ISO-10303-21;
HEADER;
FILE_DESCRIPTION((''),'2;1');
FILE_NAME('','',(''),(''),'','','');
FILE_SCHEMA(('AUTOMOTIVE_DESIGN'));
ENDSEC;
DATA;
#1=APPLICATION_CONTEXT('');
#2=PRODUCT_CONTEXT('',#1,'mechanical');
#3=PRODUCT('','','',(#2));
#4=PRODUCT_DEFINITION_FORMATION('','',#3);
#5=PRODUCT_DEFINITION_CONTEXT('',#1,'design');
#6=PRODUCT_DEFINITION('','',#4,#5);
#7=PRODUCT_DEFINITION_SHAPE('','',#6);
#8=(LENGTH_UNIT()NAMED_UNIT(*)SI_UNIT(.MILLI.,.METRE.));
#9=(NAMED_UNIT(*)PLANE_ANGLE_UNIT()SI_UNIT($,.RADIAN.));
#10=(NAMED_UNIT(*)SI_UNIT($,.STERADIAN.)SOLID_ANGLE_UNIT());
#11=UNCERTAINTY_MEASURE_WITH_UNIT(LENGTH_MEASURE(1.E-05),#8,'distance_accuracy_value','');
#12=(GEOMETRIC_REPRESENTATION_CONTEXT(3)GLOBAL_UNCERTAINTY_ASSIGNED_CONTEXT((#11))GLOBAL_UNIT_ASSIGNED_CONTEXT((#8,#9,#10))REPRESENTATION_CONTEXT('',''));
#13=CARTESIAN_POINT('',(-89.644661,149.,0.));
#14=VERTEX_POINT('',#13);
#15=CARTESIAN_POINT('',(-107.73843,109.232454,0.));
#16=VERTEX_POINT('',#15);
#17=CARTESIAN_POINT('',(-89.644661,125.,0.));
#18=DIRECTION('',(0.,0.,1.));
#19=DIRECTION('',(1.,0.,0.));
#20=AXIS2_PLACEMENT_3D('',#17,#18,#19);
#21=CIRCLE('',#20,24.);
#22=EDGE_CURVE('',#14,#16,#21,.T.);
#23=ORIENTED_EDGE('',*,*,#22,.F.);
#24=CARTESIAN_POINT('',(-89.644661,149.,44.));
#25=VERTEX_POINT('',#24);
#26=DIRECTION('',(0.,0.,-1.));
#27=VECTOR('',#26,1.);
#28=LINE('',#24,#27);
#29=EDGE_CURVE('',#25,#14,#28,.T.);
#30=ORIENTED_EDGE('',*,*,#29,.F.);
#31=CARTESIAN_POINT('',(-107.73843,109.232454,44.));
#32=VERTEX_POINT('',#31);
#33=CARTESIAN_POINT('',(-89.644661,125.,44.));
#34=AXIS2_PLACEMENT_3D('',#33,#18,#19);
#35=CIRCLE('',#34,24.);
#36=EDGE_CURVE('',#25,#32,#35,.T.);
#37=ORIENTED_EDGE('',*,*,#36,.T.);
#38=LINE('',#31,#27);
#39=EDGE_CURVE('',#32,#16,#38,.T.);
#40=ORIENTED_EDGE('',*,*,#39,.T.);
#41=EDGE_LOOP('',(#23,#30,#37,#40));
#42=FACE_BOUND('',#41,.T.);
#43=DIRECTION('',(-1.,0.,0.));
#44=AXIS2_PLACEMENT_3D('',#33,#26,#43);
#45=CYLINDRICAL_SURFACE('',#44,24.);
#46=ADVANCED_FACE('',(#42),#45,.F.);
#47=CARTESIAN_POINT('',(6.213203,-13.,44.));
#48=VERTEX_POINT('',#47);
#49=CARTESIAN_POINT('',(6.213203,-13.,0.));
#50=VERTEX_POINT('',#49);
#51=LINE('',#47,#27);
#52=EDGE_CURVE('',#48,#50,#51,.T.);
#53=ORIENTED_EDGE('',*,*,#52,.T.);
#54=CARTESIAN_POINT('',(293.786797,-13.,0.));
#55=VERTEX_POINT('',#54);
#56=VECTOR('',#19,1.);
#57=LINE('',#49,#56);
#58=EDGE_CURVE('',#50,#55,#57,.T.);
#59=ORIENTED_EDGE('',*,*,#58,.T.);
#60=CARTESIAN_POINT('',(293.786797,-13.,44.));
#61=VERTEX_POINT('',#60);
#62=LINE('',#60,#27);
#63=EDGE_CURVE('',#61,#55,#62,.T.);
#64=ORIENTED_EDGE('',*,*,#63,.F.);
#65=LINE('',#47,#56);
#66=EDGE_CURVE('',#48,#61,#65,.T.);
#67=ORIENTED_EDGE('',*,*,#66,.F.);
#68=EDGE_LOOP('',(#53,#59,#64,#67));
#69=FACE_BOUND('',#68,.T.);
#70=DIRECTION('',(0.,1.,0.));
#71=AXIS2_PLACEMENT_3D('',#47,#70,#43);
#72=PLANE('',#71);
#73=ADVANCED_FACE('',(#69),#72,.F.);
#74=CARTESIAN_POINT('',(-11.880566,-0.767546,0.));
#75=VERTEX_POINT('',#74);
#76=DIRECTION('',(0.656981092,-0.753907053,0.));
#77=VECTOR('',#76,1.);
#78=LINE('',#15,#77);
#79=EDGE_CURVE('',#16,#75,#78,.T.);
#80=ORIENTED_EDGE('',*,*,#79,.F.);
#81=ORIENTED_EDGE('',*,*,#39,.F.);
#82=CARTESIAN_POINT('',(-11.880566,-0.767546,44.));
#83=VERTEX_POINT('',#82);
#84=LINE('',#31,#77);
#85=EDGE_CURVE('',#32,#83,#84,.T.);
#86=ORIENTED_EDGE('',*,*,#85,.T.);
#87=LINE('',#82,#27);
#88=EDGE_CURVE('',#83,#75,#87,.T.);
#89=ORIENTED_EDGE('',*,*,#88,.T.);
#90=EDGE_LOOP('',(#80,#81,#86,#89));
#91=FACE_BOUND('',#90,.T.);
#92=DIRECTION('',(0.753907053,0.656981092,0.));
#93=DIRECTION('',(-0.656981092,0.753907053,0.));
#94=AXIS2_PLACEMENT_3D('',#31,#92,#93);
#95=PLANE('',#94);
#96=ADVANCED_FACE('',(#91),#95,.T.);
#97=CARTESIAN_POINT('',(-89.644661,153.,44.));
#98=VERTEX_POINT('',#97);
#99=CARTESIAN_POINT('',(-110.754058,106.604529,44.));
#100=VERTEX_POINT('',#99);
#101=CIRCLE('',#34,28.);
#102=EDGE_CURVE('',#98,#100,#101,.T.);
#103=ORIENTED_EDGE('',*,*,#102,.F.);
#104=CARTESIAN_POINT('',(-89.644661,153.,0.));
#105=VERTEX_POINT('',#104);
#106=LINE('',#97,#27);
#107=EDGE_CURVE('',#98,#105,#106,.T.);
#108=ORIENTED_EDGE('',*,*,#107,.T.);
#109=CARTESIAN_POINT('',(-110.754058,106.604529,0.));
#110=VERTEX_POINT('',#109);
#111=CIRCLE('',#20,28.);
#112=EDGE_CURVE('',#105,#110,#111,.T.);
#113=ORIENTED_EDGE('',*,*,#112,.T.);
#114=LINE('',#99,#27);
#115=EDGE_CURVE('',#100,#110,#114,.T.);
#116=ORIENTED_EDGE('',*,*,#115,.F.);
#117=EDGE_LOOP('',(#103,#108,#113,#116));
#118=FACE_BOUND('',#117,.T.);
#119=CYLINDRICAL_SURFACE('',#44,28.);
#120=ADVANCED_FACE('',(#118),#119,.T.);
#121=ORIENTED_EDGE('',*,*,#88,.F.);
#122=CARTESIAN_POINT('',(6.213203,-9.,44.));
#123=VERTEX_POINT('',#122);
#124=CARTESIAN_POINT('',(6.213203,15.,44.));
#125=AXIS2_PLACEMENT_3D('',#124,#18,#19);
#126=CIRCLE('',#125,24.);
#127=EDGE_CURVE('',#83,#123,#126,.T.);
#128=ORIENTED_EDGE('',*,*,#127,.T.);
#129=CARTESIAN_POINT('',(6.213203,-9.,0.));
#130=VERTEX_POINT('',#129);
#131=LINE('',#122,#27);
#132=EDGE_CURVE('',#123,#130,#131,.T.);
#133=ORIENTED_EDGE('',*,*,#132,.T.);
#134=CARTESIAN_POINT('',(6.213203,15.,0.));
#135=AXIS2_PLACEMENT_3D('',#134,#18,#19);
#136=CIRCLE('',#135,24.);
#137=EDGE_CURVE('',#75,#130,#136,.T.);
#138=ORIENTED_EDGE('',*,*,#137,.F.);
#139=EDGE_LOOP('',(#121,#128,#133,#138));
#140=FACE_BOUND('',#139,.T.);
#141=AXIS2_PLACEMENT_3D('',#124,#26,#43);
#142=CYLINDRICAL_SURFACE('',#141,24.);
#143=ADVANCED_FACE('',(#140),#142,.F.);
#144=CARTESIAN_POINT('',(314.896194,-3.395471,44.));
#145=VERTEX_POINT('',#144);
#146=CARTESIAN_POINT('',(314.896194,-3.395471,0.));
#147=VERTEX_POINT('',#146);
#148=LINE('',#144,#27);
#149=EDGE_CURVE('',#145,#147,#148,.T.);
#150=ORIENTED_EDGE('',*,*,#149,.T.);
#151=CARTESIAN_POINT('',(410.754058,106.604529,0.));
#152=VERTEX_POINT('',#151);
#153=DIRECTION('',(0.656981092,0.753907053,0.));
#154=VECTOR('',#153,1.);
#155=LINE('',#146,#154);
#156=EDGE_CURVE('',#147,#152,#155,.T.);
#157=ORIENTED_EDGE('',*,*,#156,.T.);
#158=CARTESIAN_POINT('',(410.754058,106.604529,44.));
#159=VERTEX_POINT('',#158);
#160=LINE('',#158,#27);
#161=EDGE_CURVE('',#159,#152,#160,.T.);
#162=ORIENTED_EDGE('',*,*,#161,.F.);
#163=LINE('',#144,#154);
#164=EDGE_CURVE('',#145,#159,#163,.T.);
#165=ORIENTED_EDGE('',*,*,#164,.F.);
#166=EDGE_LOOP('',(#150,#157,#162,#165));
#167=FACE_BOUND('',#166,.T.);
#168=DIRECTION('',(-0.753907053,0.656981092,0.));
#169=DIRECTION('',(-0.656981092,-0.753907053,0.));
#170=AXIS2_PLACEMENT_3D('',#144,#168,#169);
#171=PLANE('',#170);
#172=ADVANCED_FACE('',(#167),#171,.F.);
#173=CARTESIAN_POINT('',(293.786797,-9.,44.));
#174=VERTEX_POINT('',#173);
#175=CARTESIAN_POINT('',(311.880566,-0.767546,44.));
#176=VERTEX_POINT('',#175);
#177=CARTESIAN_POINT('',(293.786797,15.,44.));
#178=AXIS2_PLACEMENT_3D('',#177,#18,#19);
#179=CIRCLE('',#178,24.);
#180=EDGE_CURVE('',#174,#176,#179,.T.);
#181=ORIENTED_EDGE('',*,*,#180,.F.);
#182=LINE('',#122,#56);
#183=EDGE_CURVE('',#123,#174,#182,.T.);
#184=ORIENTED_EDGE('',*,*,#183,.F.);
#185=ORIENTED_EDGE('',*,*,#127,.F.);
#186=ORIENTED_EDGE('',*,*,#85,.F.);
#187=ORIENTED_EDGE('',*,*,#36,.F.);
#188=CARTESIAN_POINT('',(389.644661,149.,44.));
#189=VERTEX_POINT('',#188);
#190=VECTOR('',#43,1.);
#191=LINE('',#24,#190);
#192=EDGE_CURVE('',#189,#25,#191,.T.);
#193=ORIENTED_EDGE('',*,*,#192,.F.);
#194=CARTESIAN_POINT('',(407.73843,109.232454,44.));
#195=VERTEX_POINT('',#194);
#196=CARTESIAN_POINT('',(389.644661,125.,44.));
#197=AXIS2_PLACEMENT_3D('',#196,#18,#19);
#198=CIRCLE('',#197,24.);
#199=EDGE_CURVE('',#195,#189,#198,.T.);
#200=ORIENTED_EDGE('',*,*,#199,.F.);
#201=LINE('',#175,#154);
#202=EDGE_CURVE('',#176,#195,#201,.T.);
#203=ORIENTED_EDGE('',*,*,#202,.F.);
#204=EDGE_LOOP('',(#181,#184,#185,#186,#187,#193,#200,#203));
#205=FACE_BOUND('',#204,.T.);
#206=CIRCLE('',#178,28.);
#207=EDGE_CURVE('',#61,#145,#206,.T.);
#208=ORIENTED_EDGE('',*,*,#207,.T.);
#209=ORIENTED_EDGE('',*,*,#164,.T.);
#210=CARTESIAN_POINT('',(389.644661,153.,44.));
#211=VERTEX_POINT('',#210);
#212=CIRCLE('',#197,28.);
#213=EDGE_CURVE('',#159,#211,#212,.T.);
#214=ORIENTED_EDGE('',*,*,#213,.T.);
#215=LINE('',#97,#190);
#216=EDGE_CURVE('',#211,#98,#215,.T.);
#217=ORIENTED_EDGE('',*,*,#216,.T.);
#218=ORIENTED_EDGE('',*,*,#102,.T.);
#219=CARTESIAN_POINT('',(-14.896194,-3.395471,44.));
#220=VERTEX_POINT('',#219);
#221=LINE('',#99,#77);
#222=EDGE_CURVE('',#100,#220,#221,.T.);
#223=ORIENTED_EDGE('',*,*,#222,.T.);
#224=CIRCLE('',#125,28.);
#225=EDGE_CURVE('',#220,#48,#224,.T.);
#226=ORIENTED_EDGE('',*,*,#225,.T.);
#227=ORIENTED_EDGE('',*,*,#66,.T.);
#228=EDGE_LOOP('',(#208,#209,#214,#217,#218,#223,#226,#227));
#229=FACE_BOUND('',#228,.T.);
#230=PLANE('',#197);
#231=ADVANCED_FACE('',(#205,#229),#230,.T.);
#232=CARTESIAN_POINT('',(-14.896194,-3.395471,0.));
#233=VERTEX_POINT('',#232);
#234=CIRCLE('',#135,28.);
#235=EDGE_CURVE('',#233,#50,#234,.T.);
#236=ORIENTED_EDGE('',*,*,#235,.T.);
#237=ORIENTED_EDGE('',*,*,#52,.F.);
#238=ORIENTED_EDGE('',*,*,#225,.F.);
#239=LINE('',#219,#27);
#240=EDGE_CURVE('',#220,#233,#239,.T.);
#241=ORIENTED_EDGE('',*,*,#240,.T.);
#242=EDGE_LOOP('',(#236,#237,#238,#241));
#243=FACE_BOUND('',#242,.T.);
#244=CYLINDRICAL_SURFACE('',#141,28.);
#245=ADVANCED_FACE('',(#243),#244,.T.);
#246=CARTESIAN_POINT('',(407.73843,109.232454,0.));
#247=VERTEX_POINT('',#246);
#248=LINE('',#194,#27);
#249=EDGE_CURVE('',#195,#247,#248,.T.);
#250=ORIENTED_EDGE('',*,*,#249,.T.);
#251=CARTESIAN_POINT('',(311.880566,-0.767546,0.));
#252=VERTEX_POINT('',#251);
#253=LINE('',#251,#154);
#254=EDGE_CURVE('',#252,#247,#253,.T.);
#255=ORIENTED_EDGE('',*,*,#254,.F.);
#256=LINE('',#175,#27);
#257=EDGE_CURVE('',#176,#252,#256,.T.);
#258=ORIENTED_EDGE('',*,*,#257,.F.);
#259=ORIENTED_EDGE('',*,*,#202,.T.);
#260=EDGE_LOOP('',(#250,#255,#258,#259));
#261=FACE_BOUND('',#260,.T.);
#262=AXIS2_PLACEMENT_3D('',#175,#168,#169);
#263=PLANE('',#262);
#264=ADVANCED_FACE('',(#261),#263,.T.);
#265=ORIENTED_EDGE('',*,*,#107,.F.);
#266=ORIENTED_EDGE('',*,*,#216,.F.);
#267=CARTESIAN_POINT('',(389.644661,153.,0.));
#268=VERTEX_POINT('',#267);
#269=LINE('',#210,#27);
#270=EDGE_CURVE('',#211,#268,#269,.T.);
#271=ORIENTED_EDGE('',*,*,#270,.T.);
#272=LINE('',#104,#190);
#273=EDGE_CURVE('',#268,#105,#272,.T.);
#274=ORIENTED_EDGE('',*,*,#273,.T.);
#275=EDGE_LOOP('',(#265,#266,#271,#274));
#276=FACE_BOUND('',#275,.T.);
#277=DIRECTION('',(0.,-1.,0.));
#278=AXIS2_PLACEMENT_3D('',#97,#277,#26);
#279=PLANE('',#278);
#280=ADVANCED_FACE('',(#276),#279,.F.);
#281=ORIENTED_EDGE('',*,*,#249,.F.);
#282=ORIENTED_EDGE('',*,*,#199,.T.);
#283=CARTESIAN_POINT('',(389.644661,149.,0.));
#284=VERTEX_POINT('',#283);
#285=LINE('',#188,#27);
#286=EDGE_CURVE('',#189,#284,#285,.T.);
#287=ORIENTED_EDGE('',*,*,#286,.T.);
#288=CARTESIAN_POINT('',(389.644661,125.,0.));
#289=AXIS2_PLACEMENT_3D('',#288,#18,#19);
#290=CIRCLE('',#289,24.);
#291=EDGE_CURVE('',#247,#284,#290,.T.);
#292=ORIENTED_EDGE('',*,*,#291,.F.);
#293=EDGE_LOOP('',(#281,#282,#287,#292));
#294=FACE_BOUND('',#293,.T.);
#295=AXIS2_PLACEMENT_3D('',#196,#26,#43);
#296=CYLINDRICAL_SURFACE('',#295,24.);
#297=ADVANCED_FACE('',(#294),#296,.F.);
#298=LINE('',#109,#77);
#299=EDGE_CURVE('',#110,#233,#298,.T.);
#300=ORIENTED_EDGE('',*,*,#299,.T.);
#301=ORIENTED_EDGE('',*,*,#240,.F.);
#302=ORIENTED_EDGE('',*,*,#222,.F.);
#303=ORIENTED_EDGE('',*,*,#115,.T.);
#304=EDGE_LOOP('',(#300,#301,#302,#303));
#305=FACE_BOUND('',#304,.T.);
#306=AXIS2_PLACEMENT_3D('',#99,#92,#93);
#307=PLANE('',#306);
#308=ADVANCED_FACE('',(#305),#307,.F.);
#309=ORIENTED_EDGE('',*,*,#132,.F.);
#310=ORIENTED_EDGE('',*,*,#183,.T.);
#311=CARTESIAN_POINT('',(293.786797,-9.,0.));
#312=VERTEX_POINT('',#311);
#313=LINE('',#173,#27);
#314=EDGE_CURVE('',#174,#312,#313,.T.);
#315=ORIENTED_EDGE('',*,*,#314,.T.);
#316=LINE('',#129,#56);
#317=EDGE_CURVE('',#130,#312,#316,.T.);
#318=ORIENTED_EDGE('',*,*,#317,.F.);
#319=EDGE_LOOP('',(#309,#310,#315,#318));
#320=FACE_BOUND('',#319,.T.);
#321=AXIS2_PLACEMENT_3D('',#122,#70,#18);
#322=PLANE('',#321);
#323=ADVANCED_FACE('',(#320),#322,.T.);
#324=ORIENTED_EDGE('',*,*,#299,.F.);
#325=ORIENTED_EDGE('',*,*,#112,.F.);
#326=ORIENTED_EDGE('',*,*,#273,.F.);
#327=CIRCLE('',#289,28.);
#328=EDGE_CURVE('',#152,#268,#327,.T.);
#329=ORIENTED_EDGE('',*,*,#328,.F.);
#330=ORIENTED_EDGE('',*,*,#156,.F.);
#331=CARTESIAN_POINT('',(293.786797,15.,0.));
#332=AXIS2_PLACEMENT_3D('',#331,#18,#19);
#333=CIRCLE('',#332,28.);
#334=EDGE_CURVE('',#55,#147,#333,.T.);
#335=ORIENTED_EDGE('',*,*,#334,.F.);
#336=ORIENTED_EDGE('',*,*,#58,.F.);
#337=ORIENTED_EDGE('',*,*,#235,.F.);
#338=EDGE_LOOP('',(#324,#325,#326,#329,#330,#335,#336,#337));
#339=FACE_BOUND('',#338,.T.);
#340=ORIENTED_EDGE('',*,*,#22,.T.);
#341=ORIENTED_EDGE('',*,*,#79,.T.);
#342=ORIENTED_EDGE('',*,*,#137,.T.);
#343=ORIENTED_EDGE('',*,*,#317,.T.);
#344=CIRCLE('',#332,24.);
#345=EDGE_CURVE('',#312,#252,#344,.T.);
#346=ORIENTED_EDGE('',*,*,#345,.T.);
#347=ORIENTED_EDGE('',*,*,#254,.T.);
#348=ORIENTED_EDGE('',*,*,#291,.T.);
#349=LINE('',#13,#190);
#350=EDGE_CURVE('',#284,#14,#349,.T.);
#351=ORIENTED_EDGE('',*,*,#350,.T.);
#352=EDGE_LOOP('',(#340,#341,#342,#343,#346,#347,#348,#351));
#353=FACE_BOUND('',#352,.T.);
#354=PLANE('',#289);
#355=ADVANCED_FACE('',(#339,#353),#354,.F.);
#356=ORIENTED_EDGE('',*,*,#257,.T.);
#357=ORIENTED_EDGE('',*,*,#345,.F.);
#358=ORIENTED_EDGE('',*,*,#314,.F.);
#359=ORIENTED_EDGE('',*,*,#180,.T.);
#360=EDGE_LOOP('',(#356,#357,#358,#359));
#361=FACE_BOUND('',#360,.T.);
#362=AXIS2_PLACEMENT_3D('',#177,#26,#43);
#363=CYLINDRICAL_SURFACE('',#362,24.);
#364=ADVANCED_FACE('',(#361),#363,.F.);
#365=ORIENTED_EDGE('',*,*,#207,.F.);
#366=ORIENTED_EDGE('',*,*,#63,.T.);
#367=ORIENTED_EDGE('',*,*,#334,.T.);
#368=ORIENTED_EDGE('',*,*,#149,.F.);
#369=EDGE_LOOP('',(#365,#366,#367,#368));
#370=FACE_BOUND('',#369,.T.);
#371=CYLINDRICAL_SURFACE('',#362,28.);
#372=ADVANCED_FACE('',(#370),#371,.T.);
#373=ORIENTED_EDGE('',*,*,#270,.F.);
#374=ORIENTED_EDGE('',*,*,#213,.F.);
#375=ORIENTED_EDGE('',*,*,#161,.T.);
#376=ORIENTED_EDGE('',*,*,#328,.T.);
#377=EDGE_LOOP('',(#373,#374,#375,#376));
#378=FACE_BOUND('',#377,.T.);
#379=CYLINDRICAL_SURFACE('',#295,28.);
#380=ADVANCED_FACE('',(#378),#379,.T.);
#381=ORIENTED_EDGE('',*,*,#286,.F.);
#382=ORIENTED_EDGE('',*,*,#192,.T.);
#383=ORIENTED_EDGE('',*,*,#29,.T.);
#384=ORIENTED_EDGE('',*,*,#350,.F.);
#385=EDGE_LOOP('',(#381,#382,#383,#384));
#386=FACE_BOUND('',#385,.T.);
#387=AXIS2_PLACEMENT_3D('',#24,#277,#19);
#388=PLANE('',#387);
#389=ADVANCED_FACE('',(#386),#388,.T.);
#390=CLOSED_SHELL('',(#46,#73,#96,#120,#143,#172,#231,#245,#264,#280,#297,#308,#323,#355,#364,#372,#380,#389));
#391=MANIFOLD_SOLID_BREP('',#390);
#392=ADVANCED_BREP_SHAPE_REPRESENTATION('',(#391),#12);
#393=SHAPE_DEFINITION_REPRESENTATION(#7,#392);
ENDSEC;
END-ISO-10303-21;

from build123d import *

# Parameters (mm, degrees)
EXTRUDE_1_DEPTH = 44


with BuildPart() as part:
    # 草图1 → 凸台-拉伸1 (new body)
    with BuildSketch(Plane.XY):
        with BuildLine():
            Line((-89.644660941, 153), (389.644660941, 153))
            ThreePointArc((389.644660941, 153), (415.13066863, 136.59583598), (410.754058437, 106.604529434))
            Line((410.754058437, 106.604529434), (314.896194061, -3.395470566))
            ThreePointArc((314.896194061, -3.395470566), (305.382632544, -10.486007689), (293.786796564, -13))
            Line((293.786796564, -13), (6.213203436, -13))
            ThreePointArc((6.213203436, -13), (-5.382632544, -10.486007689), (-14.896194061, -3.395470566))
            Line((-14.896194061, -3.395470566), (-110.754058437, 106.604529434))
            ThreePointArc((-110.754058437, 106.604529434), (-115.13066863, 136.59583598), (-89.644660941, 153))
        make_face()
        with BuildLine():
            Line((-89.644660941, 149), (389.644660941, 149))
            ThreePointArc((389.644660941, 149), (411.489810388, 134.939287983), (407.738430223, 109.232453801))
            Line((407.738430223, 109.232453801), (311.880565847, -0.767546199))
            ThreePointArc((311.880565847, -0.767546199), (303.726084547, -6.845149448), (293.786796564, -9))
            Line((293.786796564, -9), (6.213203436, -9))
            ThreePointArc((6.213203436, -9), (-3.726084547, -6.845149448), (-11.880565847, -0.767546199))
            Line((-11.880565847, -0.767546199), (-107.738430223, 109.232453801))
            ThreePointArc((-107.738430223, 109.232453801), (-111.489810388, 134.939287983), (-89.644660941, 149))
        make_face(mode=Mode.SUBTRACT)
    extrude(amount=EXTRUDE_1_DEPTH)


solid = part.part
